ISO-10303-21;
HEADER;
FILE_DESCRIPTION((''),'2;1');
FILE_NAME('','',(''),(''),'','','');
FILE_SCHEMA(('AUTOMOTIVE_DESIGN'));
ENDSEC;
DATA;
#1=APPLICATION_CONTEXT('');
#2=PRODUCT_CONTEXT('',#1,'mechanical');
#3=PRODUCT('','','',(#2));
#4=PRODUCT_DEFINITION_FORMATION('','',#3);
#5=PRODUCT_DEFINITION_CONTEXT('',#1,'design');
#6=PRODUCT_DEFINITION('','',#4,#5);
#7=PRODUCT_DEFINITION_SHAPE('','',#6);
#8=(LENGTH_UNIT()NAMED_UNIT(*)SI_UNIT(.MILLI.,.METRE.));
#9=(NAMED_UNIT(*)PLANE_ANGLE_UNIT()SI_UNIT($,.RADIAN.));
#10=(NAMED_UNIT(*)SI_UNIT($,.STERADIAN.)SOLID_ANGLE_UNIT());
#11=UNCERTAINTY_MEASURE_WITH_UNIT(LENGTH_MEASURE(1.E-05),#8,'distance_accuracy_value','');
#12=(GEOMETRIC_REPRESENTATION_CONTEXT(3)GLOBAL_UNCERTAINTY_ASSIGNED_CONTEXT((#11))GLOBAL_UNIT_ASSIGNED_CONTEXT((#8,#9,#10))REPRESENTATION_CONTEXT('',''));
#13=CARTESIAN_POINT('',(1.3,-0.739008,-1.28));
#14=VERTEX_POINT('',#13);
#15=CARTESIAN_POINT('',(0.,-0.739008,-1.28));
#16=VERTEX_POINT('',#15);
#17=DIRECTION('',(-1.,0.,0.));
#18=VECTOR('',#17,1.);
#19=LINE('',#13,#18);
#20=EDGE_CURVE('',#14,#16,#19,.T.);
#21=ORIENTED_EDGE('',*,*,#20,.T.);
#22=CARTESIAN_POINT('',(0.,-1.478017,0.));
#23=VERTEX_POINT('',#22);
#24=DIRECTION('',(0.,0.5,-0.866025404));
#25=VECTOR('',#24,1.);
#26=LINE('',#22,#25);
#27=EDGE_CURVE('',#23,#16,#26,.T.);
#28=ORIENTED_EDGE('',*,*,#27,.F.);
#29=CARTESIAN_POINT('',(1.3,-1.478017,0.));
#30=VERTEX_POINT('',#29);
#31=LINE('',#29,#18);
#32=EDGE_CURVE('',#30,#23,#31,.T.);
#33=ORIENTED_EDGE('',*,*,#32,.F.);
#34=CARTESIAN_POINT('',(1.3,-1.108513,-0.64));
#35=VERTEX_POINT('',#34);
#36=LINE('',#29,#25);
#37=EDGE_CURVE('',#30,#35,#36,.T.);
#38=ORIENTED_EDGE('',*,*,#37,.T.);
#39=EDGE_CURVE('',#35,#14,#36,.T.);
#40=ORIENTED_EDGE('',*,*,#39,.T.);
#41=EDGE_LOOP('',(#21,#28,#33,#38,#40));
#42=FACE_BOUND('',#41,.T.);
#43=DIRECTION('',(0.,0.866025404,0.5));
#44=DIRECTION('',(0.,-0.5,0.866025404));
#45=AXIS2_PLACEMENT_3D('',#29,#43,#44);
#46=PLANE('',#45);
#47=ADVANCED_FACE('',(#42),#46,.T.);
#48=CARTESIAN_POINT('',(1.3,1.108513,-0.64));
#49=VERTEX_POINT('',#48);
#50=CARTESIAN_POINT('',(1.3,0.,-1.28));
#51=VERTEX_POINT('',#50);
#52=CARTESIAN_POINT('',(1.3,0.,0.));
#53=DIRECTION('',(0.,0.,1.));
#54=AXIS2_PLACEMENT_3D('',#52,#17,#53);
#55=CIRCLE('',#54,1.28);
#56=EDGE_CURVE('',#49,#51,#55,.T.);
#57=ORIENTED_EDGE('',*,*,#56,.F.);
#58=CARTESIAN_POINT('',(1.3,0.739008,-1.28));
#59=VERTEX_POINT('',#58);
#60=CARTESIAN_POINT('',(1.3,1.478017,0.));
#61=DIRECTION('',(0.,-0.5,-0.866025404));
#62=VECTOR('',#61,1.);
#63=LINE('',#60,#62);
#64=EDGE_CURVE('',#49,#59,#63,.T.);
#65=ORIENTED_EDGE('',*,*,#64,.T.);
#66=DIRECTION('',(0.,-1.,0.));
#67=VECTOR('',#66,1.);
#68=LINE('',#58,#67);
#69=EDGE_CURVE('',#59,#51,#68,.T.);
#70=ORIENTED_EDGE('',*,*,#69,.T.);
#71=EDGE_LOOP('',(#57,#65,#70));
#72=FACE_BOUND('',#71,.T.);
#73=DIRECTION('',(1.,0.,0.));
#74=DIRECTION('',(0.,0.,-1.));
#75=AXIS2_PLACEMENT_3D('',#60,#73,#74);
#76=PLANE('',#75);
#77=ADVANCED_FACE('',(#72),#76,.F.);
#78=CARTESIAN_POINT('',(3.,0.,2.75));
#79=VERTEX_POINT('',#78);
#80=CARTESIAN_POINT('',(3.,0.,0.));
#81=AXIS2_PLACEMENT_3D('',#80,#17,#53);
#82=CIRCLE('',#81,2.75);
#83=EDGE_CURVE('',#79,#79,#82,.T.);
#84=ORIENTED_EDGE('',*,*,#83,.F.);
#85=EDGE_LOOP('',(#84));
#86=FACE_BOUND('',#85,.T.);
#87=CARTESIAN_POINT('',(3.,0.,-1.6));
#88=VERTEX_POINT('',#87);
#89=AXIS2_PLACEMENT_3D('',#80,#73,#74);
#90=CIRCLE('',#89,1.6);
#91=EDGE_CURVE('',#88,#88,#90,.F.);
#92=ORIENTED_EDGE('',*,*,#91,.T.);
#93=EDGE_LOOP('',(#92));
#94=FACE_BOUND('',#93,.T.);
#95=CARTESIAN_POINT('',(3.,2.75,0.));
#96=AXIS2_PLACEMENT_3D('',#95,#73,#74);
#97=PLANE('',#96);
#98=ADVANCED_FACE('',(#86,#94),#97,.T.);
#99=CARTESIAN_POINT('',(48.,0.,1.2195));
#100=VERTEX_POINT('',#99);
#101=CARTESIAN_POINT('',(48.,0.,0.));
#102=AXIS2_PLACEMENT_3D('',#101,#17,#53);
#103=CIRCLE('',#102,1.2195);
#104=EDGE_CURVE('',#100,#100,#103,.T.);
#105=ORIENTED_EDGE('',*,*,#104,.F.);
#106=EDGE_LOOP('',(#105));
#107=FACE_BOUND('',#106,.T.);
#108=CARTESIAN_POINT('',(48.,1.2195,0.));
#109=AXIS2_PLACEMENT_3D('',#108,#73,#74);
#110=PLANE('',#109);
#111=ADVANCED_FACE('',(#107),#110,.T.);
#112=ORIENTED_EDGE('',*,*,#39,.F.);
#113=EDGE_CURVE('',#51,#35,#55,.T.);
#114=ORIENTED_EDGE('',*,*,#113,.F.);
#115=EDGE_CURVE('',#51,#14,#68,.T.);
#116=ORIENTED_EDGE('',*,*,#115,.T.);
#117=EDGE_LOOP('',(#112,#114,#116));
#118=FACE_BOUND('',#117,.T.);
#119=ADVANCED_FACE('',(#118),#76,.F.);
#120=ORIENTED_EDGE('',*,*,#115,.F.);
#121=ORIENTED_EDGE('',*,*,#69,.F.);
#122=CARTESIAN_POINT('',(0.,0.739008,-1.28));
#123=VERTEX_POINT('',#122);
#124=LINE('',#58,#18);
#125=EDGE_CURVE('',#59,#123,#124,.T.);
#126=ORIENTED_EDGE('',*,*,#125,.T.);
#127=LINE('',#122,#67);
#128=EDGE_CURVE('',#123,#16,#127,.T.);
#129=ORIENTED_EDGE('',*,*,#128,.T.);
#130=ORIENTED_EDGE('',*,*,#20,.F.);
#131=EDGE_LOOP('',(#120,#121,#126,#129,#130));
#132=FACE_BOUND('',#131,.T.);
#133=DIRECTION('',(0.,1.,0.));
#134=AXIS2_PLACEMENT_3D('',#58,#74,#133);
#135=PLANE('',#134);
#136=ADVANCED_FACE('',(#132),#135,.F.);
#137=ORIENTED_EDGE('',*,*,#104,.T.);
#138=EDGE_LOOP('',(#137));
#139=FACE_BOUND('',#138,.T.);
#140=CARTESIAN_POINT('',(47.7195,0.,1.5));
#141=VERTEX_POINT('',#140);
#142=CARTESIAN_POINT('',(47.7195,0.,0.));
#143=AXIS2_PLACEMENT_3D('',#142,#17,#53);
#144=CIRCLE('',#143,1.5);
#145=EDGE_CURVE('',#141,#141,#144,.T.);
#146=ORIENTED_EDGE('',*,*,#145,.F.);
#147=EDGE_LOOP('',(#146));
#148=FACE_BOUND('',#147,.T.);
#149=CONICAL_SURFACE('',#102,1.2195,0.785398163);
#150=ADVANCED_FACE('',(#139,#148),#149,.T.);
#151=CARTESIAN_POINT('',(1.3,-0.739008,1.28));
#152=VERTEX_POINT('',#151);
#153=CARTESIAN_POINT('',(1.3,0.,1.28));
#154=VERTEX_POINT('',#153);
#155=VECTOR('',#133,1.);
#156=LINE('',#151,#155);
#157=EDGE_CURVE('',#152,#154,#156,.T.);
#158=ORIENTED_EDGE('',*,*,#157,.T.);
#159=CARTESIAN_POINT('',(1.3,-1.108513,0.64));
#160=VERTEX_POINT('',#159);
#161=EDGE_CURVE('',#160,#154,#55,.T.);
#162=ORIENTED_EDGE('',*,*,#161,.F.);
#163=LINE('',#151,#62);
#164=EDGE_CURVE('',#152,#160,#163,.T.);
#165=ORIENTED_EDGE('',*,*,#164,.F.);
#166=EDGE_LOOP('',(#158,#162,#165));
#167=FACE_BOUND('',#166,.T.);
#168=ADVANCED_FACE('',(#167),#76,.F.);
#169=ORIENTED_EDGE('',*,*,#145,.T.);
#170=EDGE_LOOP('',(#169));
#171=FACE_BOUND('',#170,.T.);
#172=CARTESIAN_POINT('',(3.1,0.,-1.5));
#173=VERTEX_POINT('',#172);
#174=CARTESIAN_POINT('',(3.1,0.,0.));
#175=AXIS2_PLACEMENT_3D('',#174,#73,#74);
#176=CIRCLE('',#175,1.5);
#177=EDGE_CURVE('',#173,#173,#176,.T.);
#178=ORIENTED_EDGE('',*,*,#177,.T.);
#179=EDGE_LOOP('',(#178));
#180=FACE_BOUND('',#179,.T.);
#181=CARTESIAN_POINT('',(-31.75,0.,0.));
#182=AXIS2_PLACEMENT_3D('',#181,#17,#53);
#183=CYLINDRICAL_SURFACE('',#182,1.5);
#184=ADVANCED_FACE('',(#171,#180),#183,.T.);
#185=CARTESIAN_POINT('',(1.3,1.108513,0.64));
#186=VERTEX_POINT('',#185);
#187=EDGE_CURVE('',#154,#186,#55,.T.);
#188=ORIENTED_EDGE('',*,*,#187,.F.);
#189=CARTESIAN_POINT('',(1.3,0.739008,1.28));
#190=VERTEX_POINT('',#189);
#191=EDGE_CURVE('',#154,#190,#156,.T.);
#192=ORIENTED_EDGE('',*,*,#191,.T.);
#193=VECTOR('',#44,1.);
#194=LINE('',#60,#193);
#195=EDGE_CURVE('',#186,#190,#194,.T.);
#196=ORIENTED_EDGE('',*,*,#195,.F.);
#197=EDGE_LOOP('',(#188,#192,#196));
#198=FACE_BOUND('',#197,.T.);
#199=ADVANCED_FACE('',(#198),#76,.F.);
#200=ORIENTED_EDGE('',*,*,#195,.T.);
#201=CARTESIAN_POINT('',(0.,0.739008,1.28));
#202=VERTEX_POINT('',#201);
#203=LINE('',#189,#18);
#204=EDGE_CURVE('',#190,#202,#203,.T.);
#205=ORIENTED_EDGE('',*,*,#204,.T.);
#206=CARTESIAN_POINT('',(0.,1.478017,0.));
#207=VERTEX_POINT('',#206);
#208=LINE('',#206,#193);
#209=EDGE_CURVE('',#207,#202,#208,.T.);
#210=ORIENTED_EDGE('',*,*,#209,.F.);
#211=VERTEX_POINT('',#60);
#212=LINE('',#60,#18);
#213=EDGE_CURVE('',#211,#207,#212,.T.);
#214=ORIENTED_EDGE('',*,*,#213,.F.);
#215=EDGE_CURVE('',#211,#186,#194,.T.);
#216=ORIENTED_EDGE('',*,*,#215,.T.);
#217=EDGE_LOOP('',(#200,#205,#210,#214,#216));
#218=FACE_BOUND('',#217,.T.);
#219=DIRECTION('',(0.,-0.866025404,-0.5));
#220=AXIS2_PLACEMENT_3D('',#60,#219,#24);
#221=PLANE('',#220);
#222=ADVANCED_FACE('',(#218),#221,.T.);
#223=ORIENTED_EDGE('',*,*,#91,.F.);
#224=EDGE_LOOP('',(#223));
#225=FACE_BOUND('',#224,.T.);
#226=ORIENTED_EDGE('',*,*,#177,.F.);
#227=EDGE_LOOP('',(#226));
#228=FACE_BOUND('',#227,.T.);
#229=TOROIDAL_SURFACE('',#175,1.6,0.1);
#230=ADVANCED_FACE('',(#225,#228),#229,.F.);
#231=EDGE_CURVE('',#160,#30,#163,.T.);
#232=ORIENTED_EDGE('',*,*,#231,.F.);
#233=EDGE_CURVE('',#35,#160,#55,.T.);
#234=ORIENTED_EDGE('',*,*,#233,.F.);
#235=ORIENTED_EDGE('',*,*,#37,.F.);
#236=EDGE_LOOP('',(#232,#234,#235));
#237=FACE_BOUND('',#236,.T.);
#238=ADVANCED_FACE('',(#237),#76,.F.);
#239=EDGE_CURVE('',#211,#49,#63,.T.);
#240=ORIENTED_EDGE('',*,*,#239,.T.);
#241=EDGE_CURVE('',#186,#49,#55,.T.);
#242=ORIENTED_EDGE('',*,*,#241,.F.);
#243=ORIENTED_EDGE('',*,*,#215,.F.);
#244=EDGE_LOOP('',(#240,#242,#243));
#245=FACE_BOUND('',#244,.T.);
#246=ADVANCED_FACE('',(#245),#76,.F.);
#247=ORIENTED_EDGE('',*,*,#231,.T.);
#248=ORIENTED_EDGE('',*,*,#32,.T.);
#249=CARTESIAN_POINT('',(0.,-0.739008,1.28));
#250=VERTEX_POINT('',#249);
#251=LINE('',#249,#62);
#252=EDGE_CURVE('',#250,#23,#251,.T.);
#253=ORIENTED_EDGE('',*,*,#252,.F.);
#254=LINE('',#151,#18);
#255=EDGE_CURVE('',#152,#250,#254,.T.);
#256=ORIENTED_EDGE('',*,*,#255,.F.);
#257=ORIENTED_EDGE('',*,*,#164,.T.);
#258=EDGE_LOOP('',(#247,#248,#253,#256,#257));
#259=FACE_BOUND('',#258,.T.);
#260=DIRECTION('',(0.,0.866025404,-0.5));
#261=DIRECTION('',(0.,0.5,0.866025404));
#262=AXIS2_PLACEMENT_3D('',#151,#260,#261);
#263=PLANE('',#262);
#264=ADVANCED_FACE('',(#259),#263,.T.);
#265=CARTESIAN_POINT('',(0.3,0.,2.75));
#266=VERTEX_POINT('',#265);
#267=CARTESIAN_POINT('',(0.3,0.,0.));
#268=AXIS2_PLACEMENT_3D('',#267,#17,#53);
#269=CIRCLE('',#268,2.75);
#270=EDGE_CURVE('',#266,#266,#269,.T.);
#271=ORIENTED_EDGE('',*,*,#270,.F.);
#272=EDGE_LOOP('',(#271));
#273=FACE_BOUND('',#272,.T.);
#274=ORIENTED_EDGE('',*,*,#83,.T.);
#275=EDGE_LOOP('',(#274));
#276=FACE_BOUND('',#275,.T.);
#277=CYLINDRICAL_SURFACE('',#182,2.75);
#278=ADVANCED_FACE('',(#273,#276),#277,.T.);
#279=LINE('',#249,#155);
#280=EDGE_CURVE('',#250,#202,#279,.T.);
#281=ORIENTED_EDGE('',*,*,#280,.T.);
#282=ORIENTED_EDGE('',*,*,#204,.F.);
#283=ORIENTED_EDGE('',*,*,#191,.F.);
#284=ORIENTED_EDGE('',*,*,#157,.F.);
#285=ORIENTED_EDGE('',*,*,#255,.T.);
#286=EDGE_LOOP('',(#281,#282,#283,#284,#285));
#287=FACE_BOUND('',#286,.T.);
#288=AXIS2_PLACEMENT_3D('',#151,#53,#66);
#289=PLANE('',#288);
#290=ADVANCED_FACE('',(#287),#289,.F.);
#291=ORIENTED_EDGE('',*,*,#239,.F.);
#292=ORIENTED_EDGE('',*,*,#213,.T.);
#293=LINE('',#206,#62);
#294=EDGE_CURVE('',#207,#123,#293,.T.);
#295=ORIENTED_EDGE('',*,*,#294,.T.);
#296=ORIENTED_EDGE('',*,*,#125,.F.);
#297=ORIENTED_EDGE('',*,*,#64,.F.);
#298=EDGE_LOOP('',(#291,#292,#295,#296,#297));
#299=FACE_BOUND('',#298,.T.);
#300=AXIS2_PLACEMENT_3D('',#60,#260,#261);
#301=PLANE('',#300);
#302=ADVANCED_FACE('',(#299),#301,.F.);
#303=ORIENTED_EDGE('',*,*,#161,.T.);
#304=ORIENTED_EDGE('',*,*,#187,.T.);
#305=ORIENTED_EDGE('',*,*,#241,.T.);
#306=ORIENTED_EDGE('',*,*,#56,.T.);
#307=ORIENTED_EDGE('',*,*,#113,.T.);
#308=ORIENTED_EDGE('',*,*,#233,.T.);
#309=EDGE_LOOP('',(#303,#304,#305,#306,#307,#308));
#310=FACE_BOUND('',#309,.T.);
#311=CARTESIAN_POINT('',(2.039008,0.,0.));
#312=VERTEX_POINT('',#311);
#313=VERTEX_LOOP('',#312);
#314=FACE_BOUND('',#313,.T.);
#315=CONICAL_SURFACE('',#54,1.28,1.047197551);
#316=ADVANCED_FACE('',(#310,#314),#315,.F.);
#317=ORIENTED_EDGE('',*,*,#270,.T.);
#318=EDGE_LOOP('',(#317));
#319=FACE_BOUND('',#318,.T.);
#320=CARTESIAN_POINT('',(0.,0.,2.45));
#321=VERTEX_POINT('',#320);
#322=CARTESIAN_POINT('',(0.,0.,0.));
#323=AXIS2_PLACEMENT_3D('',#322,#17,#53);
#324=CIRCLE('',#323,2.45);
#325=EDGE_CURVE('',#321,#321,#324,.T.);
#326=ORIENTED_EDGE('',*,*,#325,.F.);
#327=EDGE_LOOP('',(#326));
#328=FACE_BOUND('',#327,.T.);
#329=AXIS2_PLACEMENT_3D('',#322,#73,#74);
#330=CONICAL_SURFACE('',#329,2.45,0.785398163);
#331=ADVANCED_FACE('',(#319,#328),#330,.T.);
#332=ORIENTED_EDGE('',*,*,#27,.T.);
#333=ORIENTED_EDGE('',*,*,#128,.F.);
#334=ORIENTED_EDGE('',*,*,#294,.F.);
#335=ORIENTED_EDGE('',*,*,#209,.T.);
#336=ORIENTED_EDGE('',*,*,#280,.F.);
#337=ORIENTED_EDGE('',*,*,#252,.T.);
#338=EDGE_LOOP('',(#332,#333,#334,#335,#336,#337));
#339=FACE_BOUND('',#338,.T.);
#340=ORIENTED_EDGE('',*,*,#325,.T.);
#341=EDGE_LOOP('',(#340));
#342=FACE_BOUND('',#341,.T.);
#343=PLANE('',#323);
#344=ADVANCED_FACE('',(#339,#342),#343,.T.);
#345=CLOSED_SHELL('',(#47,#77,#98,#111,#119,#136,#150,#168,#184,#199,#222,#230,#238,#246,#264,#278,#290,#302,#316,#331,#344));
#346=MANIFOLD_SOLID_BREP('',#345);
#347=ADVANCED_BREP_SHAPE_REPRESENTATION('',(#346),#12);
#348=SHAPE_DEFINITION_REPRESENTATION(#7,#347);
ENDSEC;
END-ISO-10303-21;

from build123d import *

# Parameters (mm, degrees)
FILLET1_R   = 0.1
HEX_2_DEPTH = 1.3


with BuildPart() as part:
    # BodySke → Base-Revolve (revolve)
    with BuildSketch(Plane.XY):
        Polygon((0, 0), (0, 2.45), (0.3, 2.75), (3, 2.75), (3, 1.5), (47.7195, 1.5), (48, 1.2195), (48, 0), align=None)
    revolve(axis=Axis((-31.75, 0, 0), (1, 0, 0)))

    # Fillet1
    fillet1_edges = [part.edges().sort_by_distance(p)[0] for p in [
        (3, -1.5, 0),
    ]]
    fillet(fillet1_edges, radius=FILLET1_R)

    # Sketch2 → Hex-PreBroach (revolve, cut)
    with BuildSketch(Plane.XY):
        Polygon((0, 1.28), (1.3, 1.28), (2.039008345, 0), (0, 0), align=None)
    revolve(axis=Axis((0, 0, 0), (1, 0, 0)), mode=Mode.SUBTRACT)

    # Sketch3 → Hex 2 (cut)
    with BuildSketch(Plane(origin=(0, 0, 0), x_dir=(0, 0.5, 0.866025404), z_dir=(-1, 0, 0))):
        Polygon((0.739008345, 1.28), (-0.739008345, 1.28), (-1.478016689, 0), (-0.739008345, -1.28), (0.739008345, -1.28), (1.478016689, 0), align=None)
    extrude(amount=-HEX_2_DEPTH, mode=Mode.SUBTRACT)


solid = part.part
